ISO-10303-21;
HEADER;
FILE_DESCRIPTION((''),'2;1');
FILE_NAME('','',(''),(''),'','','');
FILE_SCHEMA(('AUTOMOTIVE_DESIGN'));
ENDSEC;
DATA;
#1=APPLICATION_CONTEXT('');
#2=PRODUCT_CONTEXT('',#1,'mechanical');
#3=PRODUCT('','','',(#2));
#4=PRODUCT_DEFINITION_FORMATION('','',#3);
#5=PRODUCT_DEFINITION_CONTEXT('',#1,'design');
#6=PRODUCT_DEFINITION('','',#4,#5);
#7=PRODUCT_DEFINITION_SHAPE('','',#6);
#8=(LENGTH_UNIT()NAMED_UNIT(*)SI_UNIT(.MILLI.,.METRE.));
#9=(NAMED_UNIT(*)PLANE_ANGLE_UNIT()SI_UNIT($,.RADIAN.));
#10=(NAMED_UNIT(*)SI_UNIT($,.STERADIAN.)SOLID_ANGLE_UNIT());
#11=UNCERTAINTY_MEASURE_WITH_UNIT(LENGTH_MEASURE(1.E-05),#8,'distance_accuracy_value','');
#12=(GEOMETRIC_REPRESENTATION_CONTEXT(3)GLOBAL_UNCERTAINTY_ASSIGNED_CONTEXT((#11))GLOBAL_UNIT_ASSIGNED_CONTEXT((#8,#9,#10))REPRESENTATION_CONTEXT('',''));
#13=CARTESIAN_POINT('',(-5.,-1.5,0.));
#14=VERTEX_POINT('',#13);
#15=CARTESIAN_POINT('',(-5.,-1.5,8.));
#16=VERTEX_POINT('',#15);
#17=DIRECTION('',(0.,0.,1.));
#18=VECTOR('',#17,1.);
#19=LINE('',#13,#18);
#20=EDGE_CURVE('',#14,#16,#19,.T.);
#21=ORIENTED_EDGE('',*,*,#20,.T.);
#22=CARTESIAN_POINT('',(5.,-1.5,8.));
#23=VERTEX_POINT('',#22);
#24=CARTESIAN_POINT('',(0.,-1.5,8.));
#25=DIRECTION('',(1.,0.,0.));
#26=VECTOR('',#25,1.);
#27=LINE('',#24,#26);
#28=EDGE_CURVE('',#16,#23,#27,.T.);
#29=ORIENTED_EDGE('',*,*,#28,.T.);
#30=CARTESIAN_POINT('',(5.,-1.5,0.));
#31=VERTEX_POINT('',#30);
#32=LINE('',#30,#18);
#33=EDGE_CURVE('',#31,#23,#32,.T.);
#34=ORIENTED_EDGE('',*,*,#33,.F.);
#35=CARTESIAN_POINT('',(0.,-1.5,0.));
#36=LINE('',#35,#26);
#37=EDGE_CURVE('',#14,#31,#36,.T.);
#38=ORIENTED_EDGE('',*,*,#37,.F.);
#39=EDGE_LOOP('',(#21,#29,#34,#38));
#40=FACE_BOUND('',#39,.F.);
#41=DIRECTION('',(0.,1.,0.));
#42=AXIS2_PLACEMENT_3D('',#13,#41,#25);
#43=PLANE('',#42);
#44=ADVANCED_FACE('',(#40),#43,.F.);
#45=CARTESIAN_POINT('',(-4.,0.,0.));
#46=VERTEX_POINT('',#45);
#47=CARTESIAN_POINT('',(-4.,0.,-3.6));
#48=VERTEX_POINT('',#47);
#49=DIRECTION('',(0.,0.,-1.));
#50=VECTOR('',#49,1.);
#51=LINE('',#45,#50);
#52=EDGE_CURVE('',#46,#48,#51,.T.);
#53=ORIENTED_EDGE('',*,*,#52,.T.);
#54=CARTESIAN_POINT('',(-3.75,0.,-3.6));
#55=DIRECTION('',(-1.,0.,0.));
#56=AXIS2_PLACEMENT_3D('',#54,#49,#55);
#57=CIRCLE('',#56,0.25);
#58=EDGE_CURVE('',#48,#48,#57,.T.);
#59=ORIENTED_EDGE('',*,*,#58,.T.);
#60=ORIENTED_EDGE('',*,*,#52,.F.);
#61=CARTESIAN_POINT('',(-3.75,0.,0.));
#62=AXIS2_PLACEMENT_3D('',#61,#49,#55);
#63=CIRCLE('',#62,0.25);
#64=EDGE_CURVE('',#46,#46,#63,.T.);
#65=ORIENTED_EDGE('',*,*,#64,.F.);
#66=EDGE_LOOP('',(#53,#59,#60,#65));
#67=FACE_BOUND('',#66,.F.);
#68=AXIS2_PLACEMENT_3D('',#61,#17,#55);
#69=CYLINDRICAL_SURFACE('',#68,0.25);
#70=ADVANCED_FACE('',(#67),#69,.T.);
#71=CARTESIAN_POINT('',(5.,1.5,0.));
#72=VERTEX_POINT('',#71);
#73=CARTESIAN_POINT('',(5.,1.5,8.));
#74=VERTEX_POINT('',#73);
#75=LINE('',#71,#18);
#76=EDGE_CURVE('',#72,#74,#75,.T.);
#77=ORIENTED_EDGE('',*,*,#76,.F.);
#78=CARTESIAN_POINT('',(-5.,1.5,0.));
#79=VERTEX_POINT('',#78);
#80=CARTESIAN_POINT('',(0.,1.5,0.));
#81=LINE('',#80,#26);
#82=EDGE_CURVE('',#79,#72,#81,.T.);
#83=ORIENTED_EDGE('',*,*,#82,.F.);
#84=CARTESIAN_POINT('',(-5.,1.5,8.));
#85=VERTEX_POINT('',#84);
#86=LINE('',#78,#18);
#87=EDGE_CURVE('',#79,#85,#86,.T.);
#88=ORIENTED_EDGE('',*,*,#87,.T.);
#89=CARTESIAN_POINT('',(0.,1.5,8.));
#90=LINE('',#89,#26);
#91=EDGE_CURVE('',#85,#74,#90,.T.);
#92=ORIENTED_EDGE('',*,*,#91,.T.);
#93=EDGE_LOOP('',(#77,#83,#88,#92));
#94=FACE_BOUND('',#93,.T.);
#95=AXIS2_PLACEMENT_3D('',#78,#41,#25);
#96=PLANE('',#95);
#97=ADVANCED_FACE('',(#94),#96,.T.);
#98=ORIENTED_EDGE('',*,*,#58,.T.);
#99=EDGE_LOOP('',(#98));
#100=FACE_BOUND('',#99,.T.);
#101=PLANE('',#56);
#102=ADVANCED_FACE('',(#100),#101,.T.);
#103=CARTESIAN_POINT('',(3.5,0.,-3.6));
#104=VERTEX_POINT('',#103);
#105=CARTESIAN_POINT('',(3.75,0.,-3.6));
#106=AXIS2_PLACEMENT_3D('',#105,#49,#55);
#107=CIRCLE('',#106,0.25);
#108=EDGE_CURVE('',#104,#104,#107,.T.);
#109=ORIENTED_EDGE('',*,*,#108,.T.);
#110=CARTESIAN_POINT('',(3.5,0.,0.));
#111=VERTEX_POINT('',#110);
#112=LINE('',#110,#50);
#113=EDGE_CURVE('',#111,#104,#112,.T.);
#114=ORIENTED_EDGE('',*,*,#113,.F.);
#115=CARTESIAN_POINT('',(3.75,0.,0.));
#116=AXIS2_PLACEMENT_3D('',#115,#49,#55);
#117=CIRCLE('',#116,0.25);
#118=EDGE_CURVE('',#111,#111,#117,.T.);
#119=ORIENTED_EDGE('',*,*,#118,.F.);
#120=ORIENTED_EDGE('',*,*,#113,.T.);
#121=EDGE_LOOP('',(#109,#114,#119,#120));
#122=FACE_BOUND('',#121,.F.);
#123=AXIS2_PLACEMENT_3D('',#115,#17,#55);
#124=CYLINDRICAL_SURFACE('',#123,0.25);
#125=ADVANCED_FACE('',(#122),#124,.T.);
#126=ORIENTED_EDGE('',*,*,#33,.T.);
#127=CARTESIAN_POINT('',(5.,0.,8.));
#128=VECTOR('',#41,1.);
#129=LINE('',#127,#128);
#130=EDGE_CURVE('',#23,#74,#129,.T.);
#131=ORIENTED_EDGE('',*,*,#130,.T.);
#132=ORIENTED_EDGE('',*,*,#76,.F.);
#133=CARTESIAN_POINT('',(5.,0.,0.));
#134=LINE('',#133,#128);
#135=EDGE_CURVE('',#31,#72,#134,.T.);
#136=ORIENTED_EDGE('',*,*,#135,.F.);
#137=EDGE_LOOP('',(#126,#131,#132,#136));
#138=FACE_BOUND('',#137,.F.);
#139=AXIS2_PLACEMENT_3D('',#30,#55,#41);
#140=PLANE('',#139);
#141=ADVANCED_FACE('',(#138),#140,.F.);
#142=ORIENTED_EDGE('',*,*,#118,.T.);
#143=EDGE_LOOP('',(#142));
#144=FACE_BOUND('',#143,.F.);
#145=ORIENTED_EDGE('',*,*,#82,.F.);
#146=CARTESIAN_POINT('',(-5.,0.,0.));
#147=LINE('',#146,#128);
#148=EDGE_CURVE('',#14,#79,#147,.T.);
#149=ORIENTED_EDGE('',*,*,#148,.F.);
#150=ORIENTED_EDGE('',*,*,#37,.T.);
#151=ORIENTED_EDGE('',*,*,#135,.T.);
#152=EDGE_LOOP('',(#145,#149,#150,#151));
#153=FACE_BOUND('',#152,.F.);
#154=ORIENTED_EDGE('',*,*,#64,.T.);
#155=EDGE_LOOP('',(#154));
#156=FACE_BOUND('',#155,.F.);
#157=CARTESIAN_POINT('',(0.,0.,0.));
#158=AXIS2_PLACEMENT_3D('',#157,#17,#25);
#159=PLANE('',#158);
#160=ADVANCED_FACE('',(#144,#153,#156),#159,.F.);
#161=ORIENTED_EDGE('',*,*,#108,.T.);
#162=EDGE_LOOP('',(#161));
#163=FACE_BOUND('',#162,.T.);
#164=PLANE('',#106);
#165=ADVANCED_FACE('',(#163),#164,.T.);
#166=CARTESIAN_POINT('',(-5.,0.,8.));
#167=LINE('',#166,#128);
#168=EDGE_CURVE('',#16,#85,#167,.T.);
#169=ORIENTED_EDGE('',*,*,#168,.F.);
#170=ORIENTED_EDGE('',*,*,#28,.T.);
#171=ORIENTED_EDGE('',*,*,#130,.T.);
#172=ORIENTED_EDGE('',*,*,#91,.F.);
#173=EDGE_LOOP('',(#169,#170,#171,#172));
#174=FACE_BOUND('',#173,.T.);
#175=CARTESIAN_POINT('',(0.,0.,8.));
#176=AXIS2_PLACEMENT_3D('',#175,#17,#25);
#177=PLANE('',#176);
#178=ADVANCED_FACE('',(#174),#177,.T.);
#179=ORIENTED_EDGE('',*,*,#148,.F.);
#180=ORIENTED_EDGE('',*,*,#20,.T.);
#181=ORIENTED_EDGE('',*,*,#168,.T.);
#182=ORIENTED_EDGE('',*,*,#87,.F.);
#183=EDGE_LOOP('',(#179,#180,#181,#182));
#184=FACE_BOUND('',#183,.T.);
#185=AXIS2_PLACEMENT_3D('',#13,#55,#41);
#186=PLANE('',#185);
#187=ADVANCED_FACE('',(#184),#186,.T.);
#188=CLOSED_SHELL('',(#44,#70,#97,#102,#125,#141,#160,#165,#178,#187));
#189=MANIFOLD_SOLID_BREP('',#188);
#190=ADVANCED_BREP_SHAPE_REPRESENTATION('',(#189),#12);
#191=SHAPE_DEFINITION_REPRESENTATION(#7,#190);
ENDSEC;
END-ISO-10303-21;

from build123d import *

# Parameters (mm, degrees)
ESQUISSE1_W        = 10
ESQUISSE1_H        = 3
BOSS_EXTRU_1_DEPTH = 8
ESQUISSE2_R        = 0.25
BOSS_EXTRU_2_DEPTH = 3.6


with BuildPart() as part:
    # Esquisse1 → Boss.-Extru.1 (new body)
    with BuildSketch(Plane.XY):
        Rectangle(ESQUISSE1_W, ESQUISSE1_H)
    extrude(amount=BOSS_EXTRU_1_DEPTH)

    # Esquisse2 → Boss.-Extru.2 (add)
    with BuildSketch(Plane(origin=(0, 0, 0), x_dir=(-1, 0, 0), z_dir=(0, 0, -1))):
        with Locations((-3.75, 0)):
            Circle(ESQUISSE2_R)
        with Locations((3.75, 0)):
            Circle(ESQUISSE2_R)
    extrude(amount=BOSS_EXTRU_2_DEPTH)


solid = part.part
